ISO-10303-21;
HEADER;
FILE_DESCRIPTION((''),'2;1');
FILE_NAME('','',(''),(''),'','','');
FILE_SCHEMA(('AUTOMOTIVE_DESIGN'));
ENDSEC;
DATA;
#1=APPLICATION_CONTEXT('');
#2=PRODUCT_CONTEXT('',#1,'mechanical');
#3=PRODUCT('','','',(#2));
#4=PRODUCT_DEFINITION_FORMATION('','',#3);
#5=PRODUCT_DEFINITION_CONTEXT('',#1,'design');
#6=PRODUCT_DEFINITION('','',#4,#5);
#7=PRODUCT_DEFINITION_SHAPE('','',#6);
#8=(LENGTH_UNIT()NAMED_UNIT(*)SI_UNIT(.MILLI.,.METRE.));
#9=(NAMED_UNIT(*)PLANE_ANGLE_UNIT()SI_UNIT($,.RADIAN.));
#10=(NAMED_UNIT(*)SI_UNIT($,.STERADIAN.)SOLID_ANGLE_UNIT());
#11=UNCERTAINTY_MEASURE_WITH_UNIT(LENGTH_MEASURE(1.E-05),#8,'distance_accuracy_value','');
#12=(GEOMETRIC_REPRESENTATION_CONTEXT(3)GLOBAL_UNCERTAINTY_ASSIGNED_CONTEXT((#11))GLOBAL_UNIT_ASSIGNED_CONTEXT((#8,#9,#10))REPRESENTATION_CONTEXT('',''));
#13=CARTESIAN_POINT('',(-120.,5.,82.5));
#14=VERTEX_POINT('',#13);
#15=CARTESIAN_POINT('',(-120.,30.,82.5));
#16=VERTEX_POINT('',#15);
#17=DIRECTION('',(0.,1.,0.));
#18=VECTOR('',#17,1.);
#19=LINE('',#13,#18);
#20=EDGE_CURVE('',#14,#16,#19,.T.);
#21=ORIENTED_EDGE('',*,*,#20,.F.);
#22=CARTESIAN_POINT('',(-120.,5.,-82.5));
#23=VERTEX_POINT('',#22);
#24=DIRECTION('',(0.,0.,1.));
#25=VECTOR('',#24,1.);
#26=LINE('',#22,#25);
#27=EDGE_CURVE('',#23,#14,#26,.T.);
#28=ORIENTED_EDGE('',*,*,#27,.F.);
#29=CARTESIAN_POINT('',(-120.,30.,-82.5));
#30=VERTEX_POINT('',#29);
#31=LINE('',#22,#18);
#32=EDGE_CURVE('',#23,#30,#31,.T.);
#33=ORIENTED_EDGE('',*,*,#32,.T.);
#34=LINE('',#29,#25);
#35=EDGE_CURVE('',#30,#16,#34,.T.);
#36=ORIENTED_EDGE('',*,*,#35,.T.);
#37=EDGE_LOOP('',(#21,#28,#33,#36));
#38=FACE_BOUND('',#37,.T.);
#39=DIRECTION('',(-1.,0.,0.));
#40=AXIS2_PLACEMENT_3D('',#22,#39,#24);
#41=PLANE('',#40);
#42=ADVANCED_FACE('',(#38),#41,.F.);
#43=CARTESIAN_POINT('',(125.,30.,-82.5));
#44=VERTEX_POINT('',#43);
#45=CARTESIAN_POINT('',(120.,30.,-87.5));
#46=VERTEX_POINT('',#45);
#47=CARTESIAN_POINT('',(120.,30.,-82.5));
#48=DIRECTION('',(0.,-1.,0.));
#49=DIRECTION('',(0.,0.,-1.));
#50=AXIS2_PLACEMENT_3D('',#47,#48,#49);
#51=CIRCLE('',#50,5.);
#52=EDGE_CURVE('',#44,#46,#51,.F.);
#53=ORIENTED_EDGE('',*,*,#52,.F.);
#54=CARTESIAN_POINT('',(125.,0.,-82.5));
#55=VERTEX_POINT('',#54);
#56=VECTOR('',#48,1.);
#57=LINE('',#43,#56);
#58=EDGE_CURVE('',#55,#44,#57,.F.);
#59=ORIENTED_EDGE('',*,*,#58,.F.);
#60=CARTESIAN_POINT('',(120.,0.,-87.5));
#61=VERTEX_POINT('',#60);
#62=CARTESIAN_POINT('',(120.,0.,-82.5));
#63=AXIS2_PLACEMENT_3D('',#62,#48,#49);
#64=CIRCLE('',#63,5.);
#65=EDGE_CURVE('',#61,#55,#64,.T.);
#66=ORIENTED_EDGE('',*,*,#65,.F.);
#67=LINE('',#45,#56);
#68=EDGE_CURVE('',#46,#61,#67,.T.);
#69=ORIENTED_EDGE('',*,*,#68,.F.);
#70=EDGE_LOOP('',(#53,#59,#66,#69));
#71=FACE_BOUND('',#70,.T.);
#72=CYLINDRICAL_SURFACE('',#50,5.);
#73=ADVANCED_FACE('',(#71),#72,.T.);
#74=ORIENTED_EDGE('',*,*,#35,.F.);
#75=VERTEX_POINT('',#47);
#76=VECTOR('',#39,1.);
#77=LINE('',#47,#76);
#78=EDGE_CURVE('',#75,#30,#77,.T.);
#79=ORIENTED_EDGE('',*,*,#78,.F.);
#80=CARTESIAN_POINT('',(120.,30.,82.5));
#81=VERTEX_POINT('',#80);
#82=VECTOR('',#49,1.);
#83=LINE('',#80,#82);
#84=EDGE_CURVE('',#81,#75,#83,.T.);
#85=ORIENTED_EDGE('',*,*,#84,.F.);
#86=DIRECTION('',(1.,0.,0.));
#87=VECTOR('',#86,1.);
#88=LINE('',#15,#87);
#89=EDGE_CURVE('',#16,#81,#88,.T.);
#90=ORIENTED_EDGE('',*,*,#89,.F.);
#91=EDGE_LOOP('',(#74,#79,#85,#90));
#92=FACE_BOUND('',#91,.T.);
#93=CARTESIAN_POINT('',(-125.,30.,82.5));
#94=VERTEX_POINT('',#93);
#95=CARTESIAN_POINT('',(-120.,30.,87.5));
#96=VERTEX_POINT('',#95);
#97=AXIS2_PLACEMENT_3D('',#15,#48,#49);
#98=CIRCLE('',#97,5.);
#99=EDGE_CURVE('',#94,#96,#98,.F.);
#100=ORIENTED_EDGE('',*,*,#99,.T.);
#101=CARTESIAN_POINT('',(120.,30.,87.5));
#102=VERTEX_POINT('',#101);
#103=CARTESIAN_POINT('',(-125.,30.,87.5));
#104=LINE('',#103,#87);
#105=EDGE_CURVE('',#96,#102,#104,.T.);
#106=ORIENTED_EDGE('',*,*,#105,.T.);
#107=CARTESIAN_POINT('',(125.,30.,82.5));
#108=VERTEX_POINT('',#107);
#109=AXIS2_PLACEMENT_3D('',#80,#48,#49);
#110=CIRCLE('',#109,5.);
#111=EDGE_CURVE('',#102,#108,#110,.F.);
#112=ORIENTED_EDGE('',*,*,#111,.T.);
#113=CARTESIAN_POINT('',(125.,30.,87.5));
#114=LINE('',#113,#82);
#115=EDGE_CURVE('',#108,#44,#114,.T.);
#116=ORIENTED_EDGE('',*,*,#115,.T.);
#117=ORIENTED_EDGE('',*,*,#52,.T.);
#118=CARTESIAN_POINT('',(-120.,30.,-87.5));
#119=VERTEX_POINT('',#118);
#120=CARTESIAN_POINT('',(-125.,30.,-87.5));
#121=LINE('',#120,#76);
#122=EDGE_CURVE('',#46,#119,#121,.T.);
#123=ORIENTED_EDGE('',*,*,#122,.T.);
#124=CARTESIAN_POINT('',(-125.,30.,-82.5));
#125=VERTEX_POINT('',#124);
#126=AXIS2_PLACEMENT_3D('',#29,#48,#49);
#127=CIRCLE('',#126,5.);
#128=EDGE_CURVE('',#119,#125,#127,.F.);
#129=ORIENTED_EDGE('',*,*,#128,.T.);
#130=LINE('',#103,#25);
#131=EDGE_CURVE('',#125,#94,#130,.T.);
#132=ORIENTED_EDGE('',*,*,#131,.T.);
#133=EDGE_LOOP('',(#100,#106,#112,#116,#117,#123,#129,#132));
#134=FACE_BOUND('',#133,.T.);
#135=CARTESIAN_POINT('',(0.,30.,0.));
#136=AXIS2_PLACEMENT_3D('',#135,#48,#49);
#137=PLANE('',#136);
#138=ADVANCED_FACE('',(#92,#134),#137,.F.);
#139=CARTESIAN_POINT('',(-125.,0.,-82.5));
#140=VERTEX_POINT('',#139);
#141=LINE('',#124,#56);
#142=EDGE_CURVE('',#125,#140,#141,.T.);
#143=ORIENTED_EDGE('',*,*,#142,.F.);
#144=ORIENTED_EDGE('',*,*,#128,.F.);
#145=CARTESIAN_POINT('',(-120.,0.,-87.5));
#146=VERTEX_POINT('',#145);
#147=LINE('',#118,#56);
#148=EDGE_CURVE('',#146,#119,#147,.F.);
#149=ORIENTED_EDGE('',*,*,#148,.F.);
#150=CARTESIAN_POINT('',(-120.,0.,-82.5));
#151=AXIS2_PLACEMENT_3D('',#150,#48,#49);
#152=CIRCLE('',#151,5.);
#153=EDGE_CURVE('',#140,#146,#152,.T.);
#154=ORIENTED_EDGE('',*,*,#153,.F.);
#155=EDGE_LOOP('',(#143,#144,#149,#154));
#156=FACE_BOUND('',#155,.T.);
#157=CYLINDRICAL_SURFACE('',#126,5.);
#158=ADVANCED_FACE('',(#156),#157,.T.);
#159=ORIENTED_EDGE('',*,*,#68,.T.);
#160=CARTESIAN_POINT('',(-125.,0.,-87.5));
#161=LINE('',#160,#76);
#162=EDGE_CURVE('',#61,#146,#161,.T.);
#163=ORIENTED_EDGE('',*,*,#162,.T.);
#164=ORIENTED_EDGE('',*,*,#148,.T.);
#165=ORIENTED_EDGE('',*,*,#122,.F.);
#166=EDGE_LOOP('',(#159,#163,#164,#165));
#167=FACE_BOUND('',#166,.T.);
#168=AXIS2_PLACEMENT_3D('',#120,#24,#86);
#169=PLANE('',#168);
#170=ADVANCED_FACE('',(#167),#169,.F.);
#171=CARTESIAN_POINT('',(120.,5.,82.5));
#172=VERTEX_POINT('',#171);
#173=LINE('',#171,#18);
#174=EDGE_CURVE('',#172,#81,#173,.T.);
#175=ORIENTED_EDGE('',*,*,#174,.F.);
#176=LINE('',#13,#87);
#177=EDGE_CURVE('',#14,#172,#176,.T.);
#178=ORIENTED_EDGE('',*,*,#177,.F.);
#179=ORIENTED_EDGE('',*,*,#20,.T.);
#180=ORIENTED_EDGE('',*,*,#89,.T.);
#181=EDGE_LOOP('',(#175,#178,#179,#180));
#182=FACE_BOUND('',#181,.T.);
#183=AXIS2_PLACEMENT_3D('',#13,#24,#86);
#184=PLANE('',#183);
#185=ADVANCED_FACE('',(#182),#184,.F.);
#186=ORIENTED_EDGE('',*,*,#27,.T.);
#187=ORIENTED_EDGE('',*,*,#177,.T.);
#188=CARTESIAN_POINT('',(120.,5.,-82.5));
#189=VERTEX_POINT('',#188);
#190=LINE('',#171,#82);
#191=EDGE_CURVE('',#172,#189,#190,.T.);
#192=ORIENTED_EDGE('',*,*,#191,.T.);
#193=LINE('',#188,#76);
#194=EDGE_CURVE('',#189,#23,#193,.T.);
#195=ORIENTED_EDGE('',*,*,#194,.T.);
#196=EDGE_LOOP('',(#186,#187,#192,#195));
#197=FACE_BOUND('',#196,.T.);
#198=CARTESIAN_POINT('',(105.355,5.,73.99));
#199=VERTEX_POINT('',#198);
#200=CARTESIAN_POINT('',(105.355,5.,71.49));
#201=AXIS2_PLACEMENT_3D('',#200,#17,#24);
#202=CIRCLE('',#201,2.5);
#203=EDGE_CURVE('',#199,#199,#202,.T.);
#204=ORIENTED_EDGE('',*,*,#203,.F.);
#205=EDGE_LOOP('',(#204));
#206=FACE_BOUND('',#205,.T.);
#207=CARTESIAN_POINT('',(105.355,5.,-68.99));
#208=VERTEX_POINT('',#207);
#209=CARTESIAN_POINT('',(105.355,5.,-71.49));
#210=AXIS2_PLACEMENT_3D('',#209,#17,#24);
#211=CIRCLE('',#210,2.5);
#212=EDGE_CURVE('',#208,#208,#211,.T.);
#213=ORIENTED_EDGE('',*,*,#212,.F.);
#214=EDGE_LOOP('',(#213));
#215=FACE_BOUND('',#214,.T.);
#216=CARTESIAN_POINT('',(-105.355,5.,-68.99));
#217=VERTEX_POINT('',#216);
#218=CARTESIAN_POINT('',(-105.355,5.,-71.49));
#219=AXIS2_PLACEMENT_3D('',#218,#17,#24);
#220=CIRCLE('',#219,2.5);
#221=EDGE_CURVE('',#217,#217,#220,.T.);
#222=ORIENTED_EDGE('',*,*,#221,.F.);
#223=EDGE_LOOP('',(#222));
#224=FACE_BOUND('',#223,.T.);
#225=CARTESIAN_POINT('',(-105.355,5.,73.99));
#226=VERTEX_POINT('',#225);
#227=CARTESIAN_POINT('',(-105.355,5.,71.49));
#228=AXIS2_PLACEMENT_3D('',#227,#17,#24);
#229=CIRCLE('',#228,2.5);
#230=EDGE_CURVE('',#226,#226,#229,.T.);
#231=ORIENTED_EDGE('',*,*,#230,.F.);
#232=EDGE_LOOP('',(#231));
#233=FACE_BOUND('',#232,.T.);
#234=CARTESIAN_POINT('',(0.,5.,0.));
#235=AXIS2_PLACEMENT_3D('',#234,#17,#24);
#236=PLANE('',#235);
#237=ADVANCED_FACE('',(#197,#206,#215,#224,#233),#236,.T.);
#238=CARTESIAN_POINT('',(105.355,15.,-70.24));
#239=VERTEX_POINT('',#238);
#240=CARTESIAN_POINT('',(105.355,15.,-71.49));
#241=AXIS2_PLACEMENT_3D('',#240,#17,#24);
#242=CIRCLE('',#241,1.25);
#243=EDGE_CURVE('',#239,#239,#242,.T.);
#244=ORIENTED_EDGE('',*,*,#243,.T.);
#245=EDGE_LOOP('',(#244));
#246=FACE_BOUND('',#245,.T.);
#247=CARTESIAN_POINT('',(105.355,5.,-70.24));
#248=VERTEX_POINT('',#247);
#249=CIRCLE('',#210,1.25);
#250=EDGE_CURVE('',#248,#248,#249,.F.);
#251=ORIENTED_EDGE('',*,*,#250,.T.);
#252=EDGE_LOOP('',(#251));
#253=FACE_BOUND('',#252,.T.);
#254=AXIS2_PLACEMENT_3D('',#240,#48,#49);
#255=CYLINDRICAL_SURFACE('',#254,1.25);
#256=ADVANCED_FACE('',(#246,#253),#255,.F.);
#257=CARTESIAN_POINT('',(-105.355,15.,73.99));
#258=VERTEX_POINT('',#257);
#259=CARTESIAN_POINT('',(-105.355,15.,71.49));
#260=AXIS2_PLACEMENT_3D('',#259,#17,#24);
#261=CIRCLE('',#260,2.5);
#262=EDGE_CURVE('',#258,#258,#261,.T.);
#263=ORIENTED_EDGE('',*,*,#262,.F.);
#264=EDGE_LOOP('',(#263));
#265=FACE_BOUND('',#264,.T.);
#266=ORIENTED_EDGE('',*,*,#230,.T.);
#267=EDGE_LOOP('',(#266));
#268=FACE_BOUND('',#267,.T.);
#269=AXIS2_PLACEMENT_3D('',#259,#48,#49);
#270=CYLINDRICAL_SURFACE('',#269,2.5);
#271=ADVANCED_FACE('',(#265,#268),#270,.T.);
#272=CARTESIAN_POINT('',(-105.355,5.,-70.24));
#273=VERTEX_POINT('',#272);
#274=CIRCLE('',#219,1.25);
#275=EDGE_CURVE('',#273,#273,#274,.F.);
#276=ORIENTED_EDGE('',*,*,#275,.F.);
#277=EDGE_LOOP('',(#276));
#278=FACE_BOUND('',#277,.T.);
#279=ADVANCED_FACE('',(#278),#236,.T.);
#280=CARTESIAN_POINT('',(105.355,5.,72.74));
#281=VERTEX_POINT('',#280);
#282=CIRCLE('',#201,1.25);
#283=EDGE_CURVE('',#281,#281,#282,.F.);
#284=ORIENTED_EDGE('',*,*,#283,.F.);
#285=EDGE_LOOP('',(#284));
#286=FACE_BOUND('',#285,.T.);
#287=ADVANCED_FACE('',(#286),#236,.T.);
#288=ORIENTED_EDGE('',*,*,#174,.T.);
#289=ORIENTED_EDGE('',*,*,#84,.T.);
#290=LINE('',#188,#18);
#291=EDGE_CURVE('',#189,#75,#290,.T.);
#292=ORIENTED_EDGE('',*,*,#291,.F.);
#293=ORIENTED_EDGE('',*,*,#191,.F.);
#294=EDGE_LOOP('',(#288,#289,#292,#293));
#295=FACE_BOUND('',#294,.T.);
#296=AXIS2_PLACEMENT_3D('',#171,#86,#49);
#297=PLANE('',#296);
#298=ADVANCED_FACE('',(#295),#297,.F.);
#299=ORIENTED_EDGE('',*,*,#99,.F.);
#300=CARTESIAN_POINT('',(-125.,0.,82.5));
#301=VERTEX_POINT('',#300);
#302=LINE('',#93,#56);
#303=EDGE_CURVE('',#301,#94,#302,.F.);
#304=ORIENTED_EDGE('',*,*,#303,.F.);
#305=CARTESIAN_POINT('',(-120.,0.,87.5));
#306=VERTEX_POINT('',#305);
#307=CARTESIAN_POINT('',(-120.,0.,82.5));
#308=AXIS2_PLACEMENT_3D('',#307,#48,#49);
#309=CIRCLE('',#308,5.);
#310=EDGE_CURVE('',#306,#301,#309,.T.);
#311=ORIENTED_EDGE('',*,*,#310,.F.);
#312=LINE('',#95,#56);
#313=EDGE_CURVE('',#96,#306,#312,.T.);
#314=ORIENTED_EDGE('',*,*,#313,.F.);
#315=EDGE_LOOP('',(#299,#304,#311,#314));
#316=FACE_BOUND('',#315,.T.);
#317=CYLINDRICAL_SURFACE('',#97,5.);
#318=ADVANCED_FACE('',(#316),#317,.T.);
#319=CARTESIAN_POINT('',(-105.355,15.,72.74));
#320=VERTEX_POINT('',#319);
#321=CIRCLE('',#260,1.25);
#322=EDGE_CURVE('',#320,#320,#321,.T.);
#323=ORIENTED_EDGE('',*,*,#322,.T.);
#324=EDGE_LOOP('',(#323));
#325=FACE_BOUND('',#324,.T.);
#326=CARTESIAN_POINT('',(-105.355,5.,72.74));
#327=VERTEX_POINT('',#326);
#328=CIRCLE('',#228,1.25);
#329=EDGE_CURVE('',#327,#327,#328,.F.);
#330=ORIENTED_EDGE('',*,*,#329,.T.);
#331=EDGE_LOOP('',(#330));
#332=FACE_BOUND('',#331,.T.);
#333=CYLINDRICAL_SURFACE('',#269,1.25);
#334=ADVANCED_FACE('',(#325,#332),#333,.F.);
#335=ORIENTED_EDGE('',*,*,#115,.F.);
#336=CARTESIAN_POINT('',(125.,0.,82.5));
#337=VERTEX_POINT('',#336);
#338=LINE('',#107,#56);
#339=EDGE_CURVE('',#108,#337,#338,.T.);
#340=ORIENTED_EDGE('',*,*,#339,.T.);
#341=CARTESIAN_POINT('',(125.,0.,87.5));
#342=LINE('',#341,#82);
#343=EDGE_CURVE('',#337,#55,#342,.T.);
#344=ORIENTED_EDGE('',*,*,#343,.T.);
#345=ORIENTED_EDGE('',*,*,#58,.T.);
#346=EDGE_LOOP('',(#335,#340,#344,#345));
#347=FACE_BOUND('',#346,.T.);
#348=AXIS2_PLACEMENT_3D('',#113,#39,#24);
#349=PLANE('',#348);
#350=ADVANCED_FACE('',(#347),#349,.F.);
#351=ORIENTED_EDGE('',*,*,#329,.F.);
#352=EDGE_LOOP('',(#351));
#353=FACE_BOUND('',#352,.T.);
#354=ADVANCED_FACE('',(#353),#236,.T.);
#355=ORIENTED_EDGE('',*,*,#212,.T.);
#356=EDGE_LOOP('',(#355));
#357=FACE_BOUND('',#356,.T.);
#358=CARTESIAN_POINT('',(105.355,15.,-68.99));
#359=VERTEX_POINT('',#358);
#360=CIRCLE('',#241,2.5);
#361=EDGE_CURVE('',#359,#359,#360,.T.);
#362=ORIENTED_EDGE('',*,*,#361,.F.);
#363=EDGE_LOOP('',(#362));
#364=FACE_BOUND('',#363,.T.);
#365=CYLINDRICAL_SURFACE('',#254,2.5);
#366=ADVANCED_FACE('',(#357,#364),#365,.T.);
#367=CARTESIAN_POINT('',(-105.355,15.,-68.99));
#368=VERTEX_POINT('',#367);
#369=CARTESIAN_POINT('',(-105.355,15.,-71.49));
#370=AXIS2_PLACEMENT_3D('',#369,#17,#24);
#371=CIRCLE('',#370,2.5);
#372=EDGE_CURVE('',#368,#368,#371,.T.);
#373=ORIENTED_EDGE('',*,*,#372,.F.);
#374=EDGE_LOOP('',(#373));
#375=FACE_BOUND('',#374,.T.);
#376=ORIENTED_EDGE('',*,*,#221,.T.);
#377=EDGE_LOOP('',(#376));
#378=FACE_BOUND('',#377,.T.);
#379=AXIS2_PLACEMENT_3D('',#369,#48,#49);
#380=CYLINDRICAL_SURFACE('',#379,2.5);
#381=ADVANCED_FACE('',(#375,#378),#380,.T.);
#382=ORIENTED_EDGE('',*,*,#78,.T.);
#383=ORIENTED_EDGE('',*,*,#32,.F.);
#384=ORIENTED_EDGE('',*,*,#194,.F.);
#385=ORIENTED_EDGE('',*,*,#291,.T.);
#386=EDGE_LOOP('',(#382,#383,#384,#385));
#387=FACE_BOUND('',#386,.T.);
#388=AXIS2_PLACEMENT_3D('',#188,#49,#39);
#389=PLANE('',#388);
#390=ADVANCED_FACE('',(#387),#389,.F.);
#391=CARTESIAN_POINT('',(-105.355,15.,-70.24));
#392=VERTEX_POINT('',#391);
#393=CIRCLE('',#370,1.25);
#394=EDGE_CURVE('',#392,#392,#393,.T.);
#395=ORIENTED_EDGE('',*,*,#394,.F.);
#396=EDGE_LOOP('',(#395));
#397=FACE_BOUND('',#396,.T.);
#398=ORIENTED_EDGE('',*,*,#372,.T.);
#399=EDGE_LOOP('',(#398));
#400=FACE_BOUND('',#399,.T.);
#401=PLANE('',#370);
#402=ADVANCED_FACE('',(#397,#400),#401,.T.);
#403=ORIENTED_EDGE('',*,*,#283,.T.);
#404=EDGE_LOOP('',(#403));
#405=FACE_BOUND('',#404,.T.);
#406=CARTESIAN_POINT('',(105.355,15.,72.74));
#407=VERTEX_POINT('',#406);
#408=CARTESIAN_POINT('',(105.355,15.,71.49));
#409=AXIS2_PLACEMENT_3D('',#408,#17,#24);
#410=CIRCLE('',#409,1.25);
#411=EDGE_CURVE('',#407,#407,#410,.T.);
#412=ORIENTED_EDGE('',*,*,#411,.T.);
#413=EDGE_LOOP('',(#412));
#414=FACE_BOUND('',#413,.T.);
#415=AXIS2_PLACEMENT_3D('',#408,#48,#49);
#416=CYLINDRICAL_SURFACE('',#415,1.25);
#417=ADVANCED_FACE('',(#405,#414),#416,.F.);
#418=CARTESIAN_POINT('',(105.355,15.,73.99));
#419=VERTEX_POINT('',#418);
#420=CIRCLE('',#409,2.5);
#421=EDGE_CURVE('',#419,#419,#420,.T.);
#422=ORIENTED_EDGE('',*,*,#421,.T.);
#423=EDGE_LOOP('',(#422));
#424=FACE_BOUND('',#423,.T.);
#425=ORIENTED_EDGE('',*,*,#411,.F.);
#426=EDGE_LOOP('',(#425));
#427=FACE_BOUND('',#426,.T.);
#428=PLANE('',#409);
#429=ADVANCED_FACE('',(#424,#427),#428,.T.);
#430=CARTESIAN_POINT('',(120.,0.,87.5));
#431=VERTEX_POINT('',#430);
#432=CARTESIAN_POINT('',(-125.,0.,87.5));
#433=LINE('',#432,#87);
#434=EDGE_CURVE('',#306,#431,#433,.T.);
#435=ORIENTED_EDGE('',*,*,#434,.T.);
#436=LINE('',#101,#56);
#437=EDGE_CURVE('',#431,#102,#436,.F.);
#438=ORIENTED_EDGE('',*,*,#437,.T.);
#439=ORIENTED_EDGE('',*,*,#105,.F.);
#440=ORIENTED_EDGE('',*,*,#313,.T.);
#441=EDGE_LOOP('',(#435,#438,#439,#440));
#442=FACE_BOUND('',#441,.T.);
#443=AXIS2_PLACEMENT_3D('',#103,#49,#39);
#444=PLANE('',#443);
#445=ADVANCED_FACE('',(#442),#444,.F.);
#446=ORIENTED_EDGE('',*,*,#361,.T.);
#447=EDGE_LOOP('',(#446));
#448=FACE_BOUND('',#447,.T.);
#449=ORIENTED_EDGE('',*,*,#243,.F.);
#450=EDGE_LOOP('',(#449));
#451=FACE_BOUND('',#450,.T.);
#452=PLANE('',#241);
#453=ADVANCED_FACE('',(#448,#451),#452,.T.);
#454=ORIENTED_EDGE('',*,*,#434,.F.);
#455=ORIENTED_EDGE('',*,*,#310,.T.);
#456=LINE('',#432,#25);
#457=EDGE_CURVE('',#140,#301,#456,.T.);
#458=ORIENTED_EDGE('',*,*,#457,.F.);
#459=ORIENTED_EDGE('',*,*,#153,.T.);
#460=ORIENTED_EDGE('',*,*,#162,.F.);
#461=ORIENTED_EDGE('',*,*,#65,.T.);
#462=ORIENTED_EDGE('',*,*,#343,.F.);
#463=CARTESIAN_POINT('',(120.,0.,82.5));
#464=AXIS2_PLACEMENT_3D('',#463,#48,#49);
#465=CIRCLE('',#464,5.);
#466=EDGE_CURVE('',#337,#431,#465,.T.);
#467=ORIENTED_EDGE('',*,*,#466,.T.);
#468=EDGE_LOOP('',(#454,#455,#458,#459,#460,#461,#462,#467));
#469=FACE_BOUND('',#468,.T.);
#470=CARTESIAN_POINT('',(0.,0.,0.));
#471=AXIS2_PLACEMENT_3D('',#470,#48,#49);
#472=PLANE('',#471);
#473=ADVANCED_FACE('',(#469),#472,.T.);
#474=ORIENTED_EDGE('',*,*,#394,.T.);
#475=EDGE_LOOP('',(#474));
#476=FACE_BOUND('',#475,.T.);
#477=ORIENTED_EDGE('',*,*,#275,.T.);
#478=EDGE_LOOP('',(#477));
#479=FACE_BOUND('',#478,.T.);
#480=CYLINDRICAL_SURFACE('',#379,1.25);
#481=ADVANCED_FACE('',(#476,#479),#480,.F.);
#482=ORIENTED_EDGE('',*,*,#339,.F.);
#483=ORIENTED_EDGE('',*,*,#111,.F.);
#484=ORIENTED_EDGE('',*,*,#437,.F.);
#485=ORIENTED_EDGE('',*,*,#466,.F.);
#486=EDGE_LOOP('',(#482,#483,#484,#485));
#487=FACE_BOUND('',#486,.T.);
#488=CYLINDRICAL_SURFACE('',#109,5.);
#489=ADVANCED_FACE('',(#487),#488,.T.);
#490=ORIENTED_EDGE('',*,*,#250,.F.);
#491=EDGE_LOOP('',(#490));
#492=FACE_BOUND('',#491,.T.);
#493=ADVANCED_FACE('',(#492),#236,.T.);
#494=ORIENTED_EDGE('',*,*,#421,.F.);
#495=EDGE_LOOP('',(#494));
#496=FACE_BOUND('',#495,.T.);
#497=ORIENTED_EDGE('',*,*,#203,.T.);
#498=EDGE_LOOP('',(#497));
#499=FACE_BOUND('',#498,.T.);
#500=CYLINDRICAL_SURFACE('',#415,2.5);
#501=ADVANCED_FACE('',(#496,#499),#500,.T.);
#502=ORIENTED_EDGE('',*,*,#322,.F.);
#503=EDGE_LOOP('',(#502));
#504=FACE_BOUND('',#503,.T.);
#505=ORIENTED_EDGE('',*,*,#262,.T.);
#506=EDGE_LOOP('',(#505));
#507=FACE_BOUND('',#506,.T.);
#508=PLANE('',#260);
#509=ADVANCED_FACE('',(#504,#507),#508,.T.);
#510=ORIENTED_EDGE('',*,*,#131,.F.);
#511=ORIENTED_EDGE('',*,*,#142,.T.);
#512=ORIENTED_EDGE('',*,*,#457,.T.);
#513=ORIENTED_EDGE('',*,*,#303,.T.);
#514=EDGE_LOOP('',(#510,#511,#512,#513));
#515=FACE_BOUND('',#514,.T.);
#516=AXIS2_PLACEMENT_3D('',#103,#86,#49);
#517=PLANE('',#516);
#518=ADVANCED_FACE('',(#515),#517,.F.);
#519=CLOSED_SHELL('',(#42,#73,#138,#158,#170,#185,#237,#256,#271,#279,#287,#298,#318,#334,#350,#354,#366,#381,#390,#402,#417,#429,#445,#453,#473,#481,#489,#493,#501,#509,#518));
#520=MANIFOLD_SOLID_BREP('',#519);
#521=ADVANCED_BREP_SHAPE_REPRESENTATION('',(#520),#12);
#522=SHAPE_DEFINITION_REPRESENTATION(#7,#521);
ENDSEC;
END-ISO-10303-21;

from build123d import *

# Parameters (mm, degrees)
SKETCH1_W           = 250
SKETCH1_H           = 175
BOSS_EXTRUDE1_DEPTH = 30
FILLET1_R           = 5
SKETCH3_W           = 240
SKETCH3_H           = 165
CUT_EXTRUDE1_DEPTH  = 25
SKETCH4_R           = 2.5
SKETCH4_R_2         = 1.25
BOSS_EXTRUDE2_DEPTH = 10


with BuildPart() as part:
    # Sketch1 → Boss-Extrude1 (new body)
    with BuildSketch(Plane(origin=(0, 0, 0), x_dir=(1, 0, 0), z_dir=(0, 1, 0))):
        Rectangle(SKETCH1_W, SKETCH1_H)
    extrude(amount=BOSS_EXTRUDE1_DEPTH)

    # Fillet1
    fillet1_edges = [part.edges().sort_by_distance(p)[0] for p in [
        (125, 15, 87.5),
        (-125, 15, 87.5),
        (-125, 15, -87.5),
        (125, 15, -87.5),
    ]]
    fillet(fillet1_edges, radius=FILLET1_R)

    # Sketch3 → Cut-Extrude1 (cut)
    with BuildSketch(Plane(origin=(0, 30, 0), x_dir=(1, 0, 0), z_dir=(0, 1, 0))):
        Rectangle(SKETCH3_W, SKETCH3_H)
    extrude(amount=-CUT_EXTRUDE1_DEPTH, mode=Mode.SUBTRACT)

    # Sketch4 → Boss-Extrude2 (add)
    # profile 1 of 4: a face of its own
    with BuildSketch(Plane(origin=(0, 5, 0), x_dir=(1, 0, 0), z_dir=(0, 1, 0))):
        with Locations(Location((-105.355, 71.49, 0), (0, 0, 270))):
            Circle(SKETCH4_R)
        with Locations(Location((-105.355, 71.49, 0), (0, 0, 270))):
            Circle(SKETCH4_R_2, mode=Mode.SUBTRACT)
    # profile 2 of 4: a face of its own
    with BuildSketch(Plane(origin=(0, 5, 0), x_dir=(1, 0, 0), z_dir=(0, 1, 0))):
        with Locations(Location((105.355, 71.49, 0), (0, 0, 270))):
            Circle(SKETCH4_R)
        with Locations(Location((105.355, 71.49, 0), (0, 0, 270))):
            Circle(SKETCH4_R_2, mode=Mode.SUBTRACT)
    # profile 3 of 4: a face of its own
    with BuildSketch(Plane(origin=(0, 5, 0), x_dir=(1, 0, 0), z_dir=(0, 1, 0))):
        with Locations(Location((105.355, -71.49, 0), (0, 0, 270))):
            Circle(SKETCH4_R)
        with Locations(Location((105.355, -71.49, 0), (0, 0, 270))):
            Circle(SKETCH4_R_2, mode=Mode.SUBTRACT)
    # profile 4 of 4: a face of its own
    with BuildSketch(Plane(origin=(0, 5, 0), x_dir=(1, 0, 0), z_dir=(0, 1, 0))):
        with Locations(Location((-105.355, -71.49, 0), (0, 0, 270))):
            Circle(SKETCH4_R)
        with Locations(Location((-105.355, -71.49, 0), (0, 0, 270))):
            Circle(SKETCH4_R_2, mode=Mode.SUBTRACT)
    extrude(amount=BOSS_EXTRUDE2_DEPTH)


solid = part.part
